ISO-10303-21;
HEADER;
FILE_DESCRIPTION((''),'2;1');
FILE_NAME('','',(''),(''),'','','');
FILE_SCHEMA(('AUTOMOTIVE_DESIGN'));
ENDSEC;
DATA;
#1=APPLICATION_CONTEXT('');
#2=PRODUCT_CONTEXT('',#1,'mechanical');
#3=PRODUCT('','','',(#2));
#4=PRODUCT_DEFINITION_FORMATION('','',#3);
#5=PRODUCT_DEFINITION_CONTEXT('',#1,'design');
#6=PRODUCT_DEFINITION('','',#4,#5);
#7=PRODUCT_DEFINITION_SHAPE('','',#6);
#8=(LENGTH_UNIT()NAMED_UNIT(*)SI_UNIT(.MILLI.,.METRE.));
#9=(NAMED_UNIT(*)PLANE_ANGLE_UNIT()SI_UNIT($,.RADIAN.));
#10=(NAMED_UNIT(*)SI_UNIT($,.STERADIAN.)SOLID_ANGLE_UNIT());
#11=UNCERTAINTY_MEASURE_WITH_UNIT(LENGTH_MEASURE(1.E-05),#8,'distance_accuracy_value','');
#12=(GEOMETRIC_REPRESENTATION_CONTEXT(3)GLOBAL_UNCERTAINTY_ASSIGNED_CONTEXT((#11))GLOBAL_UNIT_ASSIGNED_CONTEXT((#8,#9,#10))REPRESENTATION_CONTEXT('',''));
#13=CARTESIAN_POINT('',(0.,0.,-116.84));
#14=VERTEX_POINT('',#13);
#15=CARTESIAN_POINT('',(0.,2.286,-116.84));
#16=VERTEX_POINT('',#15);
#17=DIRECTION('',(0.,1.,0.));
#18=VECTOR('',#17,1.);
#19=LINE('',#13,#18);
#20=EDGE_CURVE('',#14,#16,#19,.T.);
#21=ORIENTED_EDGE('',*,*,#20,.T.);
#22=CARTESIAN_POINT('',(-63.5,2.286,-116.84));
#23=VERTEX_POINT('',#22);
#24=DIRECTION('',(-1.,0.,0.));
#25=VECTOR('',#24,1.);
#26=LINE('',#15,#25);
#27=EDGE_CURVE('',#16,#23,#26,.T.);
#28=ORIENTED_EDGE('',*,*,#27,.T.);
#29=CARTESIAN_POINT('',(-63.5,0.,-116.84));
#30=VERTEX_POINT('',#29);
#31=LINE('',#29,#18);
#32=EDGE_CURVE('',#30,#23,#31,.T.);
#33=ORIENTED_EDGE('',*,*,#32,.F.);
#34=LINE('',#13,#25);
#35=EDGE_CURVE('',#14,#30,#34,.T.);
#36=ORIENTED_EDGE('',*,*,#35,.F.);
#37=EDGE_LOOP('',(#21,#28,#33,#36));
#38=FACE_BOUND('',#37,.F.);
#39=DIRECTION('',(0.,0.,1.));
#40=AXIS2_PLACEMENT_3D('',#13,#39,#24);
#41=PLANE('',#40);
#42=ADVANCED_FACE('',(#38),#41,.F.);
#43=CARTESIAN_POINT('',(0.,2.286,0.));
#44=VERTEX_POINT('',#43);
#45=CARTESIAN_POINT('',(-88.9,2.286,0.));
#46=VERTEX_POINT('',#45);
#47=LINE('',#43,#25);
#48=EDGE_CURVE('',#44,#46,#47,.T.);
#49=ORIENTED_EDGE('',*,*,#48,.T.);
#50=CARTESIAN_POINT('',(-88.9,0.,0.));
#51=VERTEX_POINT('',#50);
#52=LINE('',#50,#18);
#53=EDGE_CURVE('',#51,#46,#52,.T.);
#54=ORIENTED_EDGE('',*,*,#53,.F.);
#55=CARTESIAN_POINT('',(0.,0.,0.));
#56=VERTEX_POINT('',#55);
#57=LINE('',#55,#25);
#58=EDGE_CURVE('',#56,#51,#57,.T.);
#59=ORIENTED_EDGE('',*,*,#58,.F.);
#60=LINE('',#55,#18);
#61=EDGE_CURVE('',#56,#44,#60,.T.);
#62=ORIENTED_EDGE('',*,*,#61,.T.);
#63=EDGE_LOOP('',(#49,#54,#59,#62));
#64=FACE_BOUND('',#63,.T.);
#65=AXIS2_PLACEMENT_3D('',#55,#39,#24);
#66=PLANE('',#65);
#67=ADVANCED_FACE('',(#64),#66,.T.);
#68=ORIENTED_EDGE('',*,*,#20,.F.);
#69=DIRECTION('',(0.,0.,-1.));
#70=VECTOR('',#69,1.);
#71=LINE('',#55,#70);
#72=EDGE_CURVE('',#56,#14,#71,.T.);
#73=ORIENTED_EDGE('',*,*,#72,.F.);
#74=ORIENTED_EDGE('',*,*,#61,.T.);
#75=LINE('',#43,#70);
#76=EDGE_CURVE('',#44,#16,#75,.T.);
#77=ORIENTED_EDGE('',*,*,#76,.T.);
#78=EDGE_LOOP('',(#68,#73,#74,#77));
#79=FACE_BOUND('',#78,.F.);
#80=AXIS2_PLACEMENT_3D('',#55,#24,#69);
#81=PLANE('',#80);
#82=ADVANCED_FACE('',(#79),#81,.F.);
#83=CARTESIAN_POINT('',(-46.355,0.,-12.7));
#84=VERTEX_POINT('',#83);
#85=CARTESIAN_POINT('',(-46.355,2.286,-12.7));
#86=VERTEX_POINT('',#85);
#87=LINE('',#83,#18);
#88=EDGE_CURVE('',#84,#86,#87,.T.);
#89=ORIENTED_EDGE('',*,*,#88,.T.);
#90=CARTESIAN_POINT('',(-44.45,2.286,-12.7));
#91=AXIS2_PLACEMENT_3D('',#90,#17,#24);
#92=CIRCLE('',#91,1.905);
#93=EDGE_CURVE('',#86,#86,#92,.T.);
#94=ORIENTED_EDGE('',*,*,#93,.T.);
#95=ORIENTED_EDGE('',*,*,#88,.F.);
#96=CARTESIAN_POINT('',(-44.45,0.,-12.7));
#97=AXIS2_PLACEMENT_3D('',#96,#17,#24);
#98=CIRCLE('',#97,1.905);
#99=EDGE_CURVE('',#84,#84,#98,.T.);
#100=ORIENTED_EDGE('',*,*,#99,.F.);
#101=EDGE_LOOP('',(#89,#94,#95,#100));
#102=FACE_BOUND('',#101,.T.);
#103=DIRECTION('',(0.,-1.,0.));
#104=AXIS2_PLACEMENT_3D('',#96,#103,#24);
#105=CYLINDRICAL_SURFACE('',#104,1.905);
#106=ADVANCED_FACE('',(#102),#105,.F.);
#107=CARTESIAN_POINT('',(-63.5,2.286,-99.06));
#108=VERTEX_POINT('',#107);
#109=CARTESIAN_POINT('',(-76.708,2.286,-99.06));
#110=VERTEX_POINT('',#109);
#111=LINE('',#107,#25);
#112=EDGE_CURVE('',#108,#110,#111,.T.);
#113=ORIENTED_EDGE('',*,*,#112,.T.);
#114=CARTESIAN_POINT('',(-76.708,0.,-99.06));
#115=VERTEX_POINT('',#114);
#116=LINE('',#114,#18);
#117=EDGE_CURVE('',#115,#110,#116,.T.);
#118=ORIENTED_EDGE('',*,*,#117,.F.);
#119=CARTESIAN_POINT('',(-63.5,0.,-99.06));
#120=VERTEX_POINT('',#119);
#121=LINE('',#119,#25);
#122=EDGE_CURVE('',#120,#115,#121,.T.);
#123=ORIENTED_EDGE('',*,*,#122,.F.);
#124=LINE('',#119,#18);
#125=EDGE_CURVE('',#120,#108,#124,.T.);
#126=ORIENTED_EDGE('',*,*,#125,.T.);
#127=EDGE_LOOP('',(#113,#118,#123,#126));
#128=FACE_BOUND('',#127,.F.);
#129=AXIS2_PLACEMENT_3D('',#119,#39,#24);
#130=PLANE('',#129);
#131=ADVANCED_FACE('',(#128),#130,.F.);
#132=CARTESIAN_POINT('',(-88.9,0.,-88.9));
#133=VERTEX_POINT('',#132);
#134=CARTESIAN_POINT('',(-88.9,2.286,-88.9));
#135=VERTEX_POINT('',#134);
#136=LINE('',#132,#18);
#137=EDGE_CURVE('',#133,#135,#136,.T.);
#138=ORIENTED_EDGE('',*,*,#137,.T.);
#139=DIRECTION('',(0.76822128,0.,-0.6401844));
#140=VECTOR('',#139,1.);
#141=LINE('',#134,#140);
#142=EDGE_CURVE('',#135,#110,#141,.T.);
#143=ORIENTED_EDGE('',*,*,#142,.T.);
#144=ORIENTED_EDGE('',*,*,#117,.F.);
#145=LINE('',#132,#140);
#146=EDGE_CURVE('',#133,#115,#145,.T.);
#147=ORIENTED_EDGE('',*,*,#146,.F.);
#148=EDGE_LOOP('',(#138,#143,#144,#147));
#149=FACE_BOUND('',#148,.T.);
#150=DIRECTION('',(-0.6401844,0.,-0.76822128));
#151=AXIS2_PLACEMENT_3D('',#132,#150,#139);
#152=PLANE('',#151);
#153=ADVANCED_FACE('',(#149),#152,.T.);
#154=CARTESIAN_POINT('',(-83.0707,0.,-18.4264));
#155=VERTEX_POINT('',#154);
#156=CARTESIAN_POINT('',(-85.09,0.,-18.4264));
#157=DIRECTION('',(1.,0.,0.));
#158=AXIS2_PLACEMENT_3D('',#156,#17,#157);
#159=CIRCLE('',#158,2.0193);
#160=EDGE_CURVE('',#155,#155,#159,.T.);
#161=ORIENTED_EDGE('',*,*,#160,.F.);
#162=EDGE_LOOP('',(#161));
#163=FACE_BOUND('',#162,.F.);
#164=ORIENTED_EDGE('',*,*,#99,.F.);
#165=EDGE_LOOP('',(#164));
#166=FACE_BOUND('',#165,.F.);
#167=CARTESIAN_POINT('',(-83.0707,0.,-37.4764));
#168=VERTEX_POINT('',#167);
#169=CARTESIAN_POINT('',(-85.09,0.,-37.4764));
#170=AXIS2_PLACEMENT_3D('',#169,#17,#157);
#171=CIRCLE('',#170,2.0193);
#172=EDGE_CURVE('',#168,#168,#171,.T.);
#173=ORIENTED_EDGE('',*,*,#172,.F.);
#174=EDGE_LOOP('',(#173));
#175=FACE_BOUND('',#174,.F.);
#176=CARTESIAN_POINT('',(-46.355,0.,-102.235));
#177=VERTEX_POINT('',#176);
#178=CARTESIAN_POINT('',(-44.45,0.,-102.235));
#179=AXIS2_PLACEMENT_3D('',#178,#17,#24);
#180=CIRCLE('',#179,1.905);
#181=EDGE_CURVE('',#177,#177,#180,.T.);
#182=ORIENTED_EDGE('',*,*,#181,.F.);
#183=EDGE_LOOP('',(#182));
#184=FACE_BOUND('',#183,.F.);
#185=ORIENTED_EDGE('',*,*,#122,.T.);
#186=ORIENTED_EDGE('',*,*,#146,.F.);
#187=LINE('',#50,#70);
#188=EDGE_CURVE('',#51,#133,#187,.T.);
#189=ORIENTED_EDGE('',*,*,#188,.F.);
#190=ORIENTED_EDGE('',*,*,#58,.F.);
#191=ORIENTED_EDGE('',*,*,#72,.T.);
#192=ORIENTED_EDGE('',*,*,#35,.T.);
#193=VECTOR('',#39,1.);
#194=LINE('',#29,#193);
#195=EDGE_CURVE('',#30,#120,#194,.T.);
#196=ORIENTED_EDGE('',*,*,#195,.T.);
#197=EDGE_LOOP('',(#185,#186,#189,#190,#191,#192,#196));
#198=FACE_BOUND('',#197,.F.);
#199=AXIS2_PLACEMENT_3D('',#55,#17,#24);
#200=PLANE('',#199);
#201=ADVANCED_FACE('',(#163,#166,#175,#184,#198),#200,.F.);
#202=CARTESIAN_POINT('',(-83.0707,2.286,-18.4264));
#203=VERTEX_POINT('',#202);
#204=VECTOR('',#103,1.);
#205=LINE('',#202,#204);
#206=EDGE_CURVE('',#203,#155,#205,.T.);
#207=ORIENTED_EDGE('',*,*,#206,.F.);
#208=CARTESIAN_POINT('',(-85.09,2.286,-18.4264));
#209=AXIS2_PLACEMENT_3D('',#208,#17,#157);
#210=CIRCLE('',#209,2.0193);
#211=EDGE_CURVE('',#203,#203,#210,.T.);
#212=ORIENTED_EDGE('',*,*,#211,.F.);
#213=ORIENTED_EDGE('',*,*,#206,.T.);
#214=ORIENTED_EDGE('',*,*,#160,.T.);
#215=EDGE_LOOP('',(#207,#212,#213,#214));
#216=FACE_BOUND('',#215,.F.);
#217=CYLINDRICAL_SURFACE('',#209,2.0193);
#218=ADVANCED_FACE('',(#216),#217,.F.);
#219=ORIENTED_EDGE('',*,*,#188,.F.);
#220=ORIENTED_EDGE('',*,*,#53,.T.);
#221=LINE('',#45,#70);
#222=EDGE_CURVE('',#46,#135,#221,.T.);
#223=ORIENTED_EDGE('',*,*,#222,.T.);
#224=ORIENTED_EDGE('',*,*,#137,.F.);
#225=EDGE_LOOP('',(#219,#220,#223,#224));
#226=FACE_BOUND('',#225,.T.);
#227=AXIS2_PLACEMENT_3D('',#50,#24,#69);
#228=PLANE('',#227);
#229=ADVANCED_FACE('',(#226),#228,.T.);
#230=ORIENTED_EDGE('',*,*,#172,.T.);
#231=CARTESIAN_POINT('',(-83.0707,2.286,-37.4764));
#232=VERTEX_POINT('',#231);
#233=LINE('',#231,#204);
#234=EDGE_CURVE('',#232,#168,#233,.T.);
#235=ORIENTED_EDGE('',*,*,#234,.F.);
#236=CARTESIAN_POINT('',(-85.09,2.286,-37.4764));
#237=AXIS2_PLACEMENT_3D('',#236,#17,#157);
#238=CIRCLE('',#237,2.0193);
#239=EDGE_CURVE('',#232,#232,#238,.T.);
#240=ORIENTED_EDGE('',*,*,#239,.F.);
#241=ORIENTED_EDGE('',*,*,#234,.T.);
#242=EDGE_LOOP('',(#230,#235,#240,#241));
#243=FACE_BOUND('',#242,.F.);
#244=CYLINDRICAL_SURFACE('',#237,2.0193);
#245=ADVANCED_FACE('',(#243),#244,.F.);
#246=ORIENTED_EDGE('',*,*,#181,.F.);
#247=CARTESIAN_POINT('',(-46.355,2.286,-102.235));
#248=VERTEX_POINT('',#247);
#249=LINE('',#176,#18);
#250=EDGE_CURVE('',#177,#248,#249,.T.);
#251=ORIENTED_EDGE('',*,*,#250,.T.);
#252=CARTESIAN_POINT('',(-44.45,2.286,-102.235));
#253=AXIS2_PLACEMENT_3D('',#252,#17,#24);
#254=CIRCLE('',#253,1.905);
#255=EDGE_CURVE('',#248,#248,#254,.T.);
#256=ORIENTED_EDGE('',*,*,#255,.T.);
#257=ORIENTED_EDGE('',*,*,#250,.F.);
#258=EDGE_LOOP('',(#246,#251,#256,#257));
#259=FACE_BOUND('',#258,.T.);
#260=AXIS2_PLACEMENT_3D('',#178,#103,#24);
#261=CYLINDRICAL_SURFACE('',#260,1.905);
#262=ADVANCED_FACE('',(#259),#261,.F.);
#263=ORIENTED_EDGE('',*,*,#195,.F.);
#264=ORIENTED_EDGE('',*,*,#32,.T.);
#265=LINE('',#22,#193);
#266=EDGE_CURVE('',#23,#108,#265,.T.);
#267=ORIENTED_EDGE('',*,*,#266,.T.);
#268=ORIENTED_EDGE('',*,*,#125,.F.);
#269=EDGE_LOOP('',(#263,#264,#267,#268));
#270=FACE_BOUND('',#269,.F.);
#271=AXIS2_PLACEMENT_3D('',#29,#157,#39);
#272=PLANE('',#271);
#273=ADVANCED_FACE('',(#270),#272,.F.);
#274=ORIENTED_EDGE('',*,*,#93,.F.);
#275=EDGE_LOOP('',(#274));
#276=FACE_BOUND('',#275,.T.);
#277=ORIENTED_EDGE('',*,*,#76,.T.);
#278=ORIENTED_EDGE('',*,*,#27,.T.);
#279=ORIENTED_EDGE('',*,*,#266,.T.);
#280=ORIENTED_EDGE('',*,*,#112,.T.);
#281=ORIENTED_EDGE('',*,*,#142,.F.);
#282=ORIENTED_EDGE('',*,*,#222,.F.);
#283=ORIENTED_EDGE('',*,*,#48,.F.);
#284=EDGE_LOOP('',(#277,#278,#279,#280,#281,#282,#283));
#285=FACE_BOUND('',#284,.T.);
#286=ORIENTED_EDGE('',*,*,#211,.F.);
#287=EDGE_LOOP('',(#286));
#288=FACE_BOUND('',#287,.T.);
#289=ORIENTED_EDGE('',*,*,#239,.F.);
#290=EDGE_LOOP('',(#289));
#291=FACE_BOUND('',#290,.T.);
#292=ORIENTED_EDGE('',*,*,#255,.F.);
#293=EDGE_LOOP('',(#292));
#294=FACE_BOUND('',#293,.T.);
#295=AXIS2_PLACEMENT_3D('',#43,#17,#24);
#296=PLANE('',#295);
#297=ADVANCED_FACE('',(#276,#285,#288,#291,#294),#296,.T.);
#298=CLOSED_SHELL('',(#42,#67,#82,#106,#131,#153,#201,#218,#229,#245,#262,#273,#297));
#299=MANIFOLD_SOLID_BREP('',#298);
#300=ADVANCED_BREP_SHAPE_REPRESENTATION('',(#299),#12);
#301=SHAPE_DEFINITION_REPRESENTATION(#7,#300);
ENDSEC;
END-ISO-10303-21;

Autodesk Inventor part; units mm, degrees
ref_plane "YZ Plane" through (0, 0, 0) normal (1, 0, 0) x (0, 1, 0)
ref_plane "XZ Plane" through (0, 0, 0) normal (0, 1, 0) x (-1, 0, 0)
ref_plane "XY Plane" through (0, 0, 0) normal (0, 0, 1) x (1, 0, 0)
sketch "Sketch1" plane through (0, 0, 0) normal (0, 1, 0) x (-1, 0, 0)
  line L0 (0, 0) -> (0, -116.84)
  line L1 (0, -116.84) -> (63.5, -116.84)
  line L2 (63.5, -116.84) -> (63.5, -99.06)
  line L3 (63.5, -99.06) -> (76.708, -99.06)
  line L4 (0, 0) -> (88.9, 0)
  line L5 (88.9, 0) -> (88.9, -88.9)
  line L6 (88.9, -88.9) -> (76.708, -99.06)
  circle A0 centre (44.45, -12.7) radius 1.905
  circle A1 centre (44.45, -102.235) radius 1.905
  dimension "d0" = 116.84
  dimension "d1" = 63.5
  dimension "d2" = 17.78
  dimension "d3" = 13.208
  dimension "d4" = 88.9
  dimension "d6" = 88.9
extrude "Extrusion1" add sketch "Sketch1" along normal blind 2.286
sketch "Sketch2" plane through (0, 2.286, 0) normal (0, 1, 0) x (1, 0, 0)
  line L0 (-88.9, 88.9) -> (-88.9, 0) projected
  line L1 (-88.9, 0) -> (-88.9, 40.64)
  point P0 (0, 0)
  dimension "d13" = 40.64
sketch "Sketch3" plane through (0, 2.286, 0) normal (0, 1, 0) x (1, 0, 0)
  circle A0 centre (-85.09, 18.4264) radius 2.0193 projected
  circle A1 centre (-85.09, 37.4764) radius 2.0193 projected
  point P0 (0, 0)
extrude "Extrusion2" cut sketch "Sketch3" against normal blind 19.05
sketch "Sketch4" plane through (0, 2.286, 0) normal (0, 1, 0) x (1, 0, 0)
  circle A0 centre (-44.45, 102.235) radius 1.905 projected
  line L0 (-44.45, 104.14) -> (-44.45, 116.84)
  line L1 (0, 116.84) -> (-63.5, 116.84) projected
  point P0 (0, 0)
properties part number "flywheel plate" material "Steel, Alloy"
